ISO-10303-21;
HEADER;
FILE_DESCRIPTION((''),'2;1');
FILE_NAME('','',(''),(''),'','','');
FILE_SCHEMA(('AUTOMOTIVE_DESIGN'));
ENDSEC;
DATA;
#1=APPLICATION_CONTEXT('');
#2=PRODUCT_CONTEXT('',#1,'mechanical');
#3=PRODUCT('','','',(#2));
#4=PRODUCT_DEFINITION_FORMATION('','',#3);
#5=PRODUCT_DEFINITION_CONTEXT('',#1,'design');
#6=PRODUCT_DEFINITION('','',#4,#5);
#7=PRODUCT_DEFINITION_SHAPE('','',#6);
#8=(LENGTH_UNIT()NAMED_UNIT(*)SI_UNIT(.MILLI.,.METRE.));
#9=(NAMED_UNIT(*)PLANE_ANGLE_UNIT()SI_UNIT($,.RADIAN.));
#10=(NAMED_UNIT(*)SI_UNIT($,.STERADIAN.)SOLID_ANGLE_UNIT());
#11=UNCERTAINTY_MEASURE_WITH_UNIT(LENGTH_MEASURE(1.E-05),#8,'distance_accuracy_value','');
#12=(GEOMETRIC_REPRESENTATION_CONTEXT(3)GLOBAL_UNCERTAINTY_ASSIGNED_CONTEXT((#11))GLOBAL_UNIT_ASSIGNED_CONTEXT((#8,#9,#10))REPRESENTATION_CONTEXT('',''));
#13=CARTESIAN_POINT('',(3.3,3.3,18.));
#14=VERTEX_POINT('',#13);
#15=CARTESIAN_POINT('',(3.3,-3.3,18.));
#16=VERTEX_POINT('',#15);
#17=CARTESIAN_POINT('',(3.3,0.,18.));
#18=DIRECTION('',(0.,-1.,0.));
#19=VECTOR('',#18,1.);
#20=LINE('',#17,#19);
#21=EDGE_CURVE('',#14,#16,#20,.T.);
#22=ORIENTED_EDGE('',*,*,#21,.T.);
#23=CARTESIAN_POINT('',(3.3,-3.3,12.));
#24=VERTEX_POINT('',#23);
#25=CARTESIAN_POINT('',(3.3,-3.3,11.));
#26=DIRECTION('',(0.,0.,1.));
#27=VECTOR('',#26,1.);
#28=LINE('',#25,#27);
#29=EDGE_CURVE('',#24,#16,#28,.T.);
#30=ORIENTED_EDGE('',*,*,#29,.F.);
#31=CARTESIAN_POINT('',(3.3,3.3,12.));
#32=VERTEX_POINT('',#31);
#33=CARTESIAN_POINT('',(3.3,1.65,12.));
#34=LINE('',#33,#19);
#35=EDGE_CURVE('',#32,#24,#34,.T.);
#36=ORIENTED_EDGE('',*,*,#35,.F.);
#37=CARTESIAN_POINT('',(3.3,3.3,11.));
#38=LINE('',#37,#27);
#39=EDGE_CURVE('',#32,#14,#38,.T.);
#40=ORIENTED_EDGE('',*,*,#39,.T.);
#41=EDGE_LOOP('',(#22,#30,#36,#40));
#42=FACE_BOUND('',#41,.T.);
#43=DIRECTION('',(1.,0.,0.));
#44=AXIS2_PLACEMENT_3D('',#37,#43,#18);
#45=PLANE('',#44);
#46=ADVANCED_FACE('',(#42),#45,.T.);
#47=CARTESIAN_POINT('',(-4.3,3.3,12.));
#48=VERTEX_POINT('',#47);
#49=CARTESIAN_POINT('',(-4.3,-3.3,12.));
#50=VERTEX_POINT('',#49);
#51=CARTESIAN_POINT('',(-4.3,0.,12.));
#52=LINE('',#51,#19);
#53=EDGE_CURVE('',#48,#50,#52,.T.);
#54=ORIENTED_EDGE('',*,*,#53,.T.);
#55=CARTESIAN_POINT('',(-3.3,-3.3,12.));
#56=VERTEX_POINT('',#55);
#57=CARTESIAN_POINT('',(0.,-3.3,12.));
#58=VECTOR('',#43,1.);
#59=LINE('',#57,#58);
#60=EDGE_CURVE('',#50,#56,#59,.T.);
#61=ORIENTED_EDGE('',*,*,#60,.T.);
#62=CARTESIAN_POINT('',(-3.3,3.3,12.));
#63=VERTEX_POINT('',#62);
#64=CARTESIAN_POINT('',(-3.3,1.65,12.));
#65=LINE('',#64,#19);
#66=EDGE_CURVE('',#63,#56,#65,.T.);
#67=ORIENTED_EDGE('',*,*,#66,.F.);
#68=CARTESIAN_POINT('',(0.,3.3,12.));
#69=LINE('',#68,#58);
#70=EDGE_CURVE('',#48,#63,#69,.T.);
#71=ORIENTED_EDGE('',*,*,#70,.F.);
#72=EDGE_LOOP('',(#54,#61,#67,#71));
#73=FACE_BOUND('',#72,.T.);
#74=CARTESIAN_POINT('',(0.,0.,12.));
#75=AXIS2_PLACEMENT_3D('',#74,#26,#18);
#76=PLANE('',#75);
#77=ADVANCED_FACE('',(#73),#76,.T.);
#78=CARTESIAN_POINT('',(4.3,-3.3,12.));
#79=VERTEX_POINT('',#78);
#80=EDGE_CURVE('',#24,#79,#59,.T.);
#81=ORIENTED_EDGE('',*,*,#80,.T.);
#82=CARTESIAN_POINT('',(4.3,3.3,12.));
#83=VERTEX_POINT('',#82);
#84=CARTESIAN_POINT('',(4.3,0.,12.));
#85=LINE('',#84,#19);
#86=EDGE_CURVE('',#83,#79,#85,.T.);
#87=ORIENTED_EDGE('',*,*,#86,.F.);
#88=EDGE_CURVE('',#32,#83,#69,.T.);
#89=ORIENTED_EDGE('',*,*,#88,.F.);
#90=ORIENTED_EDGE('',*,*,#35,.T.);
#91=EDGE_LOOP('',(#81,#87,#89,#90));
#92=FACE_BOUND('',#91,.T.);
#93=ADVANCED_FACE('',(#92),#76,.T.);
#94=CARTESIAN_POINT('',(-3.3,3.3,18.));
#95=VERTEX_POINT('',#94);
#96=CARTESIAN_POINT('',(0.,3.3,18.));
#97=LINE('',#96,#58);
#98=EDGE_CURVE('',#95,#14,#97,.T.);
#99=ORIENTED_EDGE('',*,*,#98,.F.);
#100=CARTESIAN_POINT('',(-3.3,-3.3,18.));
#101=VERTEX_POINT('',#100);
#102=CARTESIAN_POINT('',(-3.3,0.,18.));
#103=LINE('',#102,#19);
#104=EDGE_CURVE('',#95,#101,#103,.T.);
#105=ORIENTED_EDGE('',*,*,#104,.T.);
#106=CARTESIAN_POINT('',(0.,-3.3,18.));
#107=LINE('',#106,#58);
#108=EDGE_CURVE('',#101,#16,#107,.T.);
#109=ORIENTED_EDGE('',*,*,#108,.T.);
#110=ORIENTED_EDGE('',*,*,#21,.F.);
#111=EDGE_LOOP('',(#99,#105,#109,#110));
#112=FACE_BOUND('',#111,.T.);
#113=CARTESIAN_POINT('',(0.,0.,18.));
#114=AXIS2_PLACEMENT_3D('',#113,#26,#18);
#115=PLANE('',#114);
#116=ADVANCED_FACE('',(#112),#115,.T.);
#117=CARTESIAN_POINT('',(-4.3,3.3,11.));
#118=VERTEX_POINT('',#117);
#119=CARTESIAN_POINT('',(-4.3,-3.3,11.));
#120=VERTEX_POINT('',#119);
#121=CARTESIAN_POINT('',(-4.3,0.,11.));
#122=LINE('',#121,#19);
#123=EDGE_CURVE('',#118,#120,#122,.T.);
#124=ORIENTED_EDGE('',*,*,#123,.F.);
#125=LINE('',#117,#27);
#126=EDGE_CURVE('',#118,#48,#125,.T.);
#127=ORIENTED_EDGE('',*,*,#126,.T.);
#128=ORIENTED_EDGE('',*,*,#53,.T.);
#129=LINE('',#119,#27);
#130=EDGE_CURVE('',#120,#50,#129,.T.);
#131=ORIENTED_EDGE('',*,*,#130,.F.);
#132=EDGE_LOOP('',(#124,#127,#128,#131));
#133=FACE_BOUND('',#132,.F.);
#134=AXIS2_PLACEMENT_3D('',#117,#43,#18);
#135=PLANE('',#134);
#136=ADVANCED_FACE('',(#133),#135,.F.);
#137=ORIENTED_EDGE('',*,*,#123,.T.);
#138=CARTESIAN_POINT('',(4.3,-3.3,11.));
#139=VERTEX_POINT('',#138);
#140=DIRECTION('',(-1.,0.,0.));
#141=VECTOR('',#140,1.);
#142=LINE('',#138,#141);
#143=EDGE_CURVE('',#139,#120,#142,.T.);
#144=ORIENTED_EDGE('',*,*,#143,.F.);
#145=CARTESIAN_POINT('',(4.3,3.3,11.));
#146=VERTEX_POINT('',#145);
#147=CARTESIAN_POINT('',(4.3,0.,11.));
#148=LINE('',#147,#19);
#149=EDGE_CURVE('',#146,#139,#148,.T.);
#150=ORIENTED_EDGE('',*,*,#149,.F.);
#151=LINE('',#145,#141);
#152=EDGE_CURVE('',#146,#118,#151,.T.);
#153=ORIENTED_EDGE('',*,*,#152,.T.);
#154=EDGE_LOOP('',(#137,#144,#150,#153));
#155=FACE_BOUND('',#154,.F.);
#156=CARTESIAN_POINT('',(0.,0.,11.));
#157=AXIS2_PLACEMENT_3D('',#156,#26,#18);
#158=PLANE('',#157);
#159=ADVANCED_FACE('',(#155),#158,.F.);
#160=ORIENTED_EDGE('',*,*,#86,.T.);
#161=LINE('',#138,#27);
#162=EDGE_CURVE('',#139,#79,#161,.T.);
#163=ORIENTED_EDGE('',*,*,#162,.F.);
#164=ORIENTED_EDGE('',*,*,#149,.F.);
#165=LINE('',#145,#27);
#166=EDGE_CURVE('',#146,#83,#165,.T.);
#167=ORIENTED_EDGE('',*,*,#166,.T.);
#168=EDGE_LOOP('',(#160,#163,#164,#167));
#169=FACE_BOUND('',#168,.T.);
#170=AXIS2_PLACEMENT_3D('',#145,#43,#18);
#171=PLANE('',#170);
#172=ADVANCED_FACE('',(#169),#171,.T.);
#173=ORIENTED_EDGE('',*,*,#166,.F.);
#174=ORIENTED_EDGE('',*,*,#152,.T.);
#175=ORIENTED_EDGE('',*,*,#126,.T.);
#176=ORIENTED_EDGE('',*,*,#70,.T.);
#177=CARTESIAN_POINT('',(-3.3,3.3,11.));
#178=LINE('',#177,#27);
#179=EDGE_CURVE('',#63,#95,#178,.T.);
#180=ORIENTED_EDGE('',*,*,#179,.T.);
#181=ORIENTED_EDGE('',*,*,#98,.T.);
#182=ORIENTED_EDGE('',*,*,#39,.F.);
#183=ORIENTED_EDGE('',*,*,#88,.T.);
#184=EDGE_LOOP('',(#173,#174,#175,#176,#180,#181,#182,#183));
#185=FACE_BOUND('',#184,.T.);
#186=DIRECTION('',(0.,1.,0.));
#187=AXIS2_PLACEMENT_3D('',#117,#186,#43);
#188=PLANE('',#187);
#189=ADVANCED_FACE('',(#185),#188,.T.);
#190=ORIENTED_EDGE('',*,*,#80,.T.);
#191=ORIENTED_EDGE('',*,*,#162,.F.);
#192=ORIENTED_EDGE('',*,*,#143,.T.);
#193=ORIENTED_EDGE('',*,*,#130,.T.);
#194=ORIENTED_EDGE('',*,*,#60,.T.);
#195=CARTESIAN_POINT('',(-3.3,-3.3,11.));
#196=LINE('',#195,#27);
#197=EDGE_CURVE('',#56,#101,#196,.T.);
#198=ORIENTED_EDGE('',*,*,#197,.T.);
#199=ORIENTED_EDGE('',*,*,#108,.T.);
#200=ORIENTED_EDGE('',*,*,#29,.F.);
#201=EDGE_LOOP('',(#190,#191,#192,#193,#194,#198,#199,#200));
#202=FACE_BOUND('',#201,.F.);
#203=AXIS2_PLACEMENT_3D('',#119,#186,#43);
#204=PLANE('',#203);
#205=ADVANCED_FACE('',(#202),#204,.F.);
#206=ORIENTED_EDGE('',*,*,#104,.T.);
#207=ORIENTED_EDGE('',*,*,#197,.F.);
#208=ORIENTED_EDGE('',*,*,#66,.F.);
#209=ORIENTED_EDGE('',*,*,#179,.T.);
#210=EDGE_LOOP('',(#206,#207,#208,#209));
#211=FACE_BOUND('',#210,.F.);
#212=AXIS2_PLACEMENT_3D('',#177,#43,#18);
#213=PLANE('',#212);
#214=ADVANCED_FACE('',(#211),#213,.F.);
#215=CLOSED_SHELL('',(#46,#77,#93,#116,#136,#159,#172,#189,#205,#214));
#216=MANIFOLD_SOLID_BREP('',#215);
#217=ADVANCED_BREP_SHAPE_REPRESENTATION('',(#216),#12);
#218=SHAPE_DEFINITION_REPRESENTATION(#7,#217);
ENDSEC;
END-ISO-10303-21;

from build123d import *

# Parameters (mm, degrees)
BOX085_W               = 3.5
BOX085_H               = 2.5
BOX085_DEPTH           = 4.5
BOX083_W               = 6.6
BOX083_H               = 8.6
BOX083_DEPTH           = 1
BOX084_W               = 6.6
BOX084_H               = 6.6
BOX084_DEPTH           = 7
CUT022_PLACEMENT_ANGLE = 90


with BuildPart() as sub_cap:
    # Box085 → Box085 (new body)
    with BuildSketch(Plane(origin=(-1.75, -1.25, 0), x_dir=(1, 0, 0), z_dir=(0, 0, 1))):
        with Locations((1.75, 1.25)):
            Rectangle(BOX085_W, BOX085_H)
    extrude(amount=BOX085_DEPTH)


with BuildPart() as cap:
    # Box083 → Box083 (new body)
    with BuildSketch(Plane(origin=(-3.3, -4.3, 11), x_dir=(1, 0, 0), z_dir=(0, 0, 1))):
        with Locations((3.3, 4.3)):
            Rectangle(BOX083_W, BOX083_H)
    extrude(amount=BOX083_DEPTH)


with BuildPart() as switch_cap_master:
    # Box084 → Box084 (new body)
    with BuildSketch(Plane(origin=(-3.3, -3.3, 11), x_dir=(1, 0, 0), z_dir=(0, 0, 1))):
        with Locations((3.3, 3.3)):
            Rectangle(BOX084_W, BOX084_H)
    extrude(amount=BOX084_DEPTH)

    # Fusion023: union cap
    add(cap.part)

    # Cut022: cut sub cap
    add(sub_cap.part, mode=Mode.SUBTRACT)


with BuildPart() as switch_cap_master_1:
    # Cut022 placement: moved
    add(switch_cap_master.part.rotate(Axis((0, 0, 0), (0, 0, -1)), CUT022_PLACEMENT_ANGLE))


solid = switch_cap_master_1.part
